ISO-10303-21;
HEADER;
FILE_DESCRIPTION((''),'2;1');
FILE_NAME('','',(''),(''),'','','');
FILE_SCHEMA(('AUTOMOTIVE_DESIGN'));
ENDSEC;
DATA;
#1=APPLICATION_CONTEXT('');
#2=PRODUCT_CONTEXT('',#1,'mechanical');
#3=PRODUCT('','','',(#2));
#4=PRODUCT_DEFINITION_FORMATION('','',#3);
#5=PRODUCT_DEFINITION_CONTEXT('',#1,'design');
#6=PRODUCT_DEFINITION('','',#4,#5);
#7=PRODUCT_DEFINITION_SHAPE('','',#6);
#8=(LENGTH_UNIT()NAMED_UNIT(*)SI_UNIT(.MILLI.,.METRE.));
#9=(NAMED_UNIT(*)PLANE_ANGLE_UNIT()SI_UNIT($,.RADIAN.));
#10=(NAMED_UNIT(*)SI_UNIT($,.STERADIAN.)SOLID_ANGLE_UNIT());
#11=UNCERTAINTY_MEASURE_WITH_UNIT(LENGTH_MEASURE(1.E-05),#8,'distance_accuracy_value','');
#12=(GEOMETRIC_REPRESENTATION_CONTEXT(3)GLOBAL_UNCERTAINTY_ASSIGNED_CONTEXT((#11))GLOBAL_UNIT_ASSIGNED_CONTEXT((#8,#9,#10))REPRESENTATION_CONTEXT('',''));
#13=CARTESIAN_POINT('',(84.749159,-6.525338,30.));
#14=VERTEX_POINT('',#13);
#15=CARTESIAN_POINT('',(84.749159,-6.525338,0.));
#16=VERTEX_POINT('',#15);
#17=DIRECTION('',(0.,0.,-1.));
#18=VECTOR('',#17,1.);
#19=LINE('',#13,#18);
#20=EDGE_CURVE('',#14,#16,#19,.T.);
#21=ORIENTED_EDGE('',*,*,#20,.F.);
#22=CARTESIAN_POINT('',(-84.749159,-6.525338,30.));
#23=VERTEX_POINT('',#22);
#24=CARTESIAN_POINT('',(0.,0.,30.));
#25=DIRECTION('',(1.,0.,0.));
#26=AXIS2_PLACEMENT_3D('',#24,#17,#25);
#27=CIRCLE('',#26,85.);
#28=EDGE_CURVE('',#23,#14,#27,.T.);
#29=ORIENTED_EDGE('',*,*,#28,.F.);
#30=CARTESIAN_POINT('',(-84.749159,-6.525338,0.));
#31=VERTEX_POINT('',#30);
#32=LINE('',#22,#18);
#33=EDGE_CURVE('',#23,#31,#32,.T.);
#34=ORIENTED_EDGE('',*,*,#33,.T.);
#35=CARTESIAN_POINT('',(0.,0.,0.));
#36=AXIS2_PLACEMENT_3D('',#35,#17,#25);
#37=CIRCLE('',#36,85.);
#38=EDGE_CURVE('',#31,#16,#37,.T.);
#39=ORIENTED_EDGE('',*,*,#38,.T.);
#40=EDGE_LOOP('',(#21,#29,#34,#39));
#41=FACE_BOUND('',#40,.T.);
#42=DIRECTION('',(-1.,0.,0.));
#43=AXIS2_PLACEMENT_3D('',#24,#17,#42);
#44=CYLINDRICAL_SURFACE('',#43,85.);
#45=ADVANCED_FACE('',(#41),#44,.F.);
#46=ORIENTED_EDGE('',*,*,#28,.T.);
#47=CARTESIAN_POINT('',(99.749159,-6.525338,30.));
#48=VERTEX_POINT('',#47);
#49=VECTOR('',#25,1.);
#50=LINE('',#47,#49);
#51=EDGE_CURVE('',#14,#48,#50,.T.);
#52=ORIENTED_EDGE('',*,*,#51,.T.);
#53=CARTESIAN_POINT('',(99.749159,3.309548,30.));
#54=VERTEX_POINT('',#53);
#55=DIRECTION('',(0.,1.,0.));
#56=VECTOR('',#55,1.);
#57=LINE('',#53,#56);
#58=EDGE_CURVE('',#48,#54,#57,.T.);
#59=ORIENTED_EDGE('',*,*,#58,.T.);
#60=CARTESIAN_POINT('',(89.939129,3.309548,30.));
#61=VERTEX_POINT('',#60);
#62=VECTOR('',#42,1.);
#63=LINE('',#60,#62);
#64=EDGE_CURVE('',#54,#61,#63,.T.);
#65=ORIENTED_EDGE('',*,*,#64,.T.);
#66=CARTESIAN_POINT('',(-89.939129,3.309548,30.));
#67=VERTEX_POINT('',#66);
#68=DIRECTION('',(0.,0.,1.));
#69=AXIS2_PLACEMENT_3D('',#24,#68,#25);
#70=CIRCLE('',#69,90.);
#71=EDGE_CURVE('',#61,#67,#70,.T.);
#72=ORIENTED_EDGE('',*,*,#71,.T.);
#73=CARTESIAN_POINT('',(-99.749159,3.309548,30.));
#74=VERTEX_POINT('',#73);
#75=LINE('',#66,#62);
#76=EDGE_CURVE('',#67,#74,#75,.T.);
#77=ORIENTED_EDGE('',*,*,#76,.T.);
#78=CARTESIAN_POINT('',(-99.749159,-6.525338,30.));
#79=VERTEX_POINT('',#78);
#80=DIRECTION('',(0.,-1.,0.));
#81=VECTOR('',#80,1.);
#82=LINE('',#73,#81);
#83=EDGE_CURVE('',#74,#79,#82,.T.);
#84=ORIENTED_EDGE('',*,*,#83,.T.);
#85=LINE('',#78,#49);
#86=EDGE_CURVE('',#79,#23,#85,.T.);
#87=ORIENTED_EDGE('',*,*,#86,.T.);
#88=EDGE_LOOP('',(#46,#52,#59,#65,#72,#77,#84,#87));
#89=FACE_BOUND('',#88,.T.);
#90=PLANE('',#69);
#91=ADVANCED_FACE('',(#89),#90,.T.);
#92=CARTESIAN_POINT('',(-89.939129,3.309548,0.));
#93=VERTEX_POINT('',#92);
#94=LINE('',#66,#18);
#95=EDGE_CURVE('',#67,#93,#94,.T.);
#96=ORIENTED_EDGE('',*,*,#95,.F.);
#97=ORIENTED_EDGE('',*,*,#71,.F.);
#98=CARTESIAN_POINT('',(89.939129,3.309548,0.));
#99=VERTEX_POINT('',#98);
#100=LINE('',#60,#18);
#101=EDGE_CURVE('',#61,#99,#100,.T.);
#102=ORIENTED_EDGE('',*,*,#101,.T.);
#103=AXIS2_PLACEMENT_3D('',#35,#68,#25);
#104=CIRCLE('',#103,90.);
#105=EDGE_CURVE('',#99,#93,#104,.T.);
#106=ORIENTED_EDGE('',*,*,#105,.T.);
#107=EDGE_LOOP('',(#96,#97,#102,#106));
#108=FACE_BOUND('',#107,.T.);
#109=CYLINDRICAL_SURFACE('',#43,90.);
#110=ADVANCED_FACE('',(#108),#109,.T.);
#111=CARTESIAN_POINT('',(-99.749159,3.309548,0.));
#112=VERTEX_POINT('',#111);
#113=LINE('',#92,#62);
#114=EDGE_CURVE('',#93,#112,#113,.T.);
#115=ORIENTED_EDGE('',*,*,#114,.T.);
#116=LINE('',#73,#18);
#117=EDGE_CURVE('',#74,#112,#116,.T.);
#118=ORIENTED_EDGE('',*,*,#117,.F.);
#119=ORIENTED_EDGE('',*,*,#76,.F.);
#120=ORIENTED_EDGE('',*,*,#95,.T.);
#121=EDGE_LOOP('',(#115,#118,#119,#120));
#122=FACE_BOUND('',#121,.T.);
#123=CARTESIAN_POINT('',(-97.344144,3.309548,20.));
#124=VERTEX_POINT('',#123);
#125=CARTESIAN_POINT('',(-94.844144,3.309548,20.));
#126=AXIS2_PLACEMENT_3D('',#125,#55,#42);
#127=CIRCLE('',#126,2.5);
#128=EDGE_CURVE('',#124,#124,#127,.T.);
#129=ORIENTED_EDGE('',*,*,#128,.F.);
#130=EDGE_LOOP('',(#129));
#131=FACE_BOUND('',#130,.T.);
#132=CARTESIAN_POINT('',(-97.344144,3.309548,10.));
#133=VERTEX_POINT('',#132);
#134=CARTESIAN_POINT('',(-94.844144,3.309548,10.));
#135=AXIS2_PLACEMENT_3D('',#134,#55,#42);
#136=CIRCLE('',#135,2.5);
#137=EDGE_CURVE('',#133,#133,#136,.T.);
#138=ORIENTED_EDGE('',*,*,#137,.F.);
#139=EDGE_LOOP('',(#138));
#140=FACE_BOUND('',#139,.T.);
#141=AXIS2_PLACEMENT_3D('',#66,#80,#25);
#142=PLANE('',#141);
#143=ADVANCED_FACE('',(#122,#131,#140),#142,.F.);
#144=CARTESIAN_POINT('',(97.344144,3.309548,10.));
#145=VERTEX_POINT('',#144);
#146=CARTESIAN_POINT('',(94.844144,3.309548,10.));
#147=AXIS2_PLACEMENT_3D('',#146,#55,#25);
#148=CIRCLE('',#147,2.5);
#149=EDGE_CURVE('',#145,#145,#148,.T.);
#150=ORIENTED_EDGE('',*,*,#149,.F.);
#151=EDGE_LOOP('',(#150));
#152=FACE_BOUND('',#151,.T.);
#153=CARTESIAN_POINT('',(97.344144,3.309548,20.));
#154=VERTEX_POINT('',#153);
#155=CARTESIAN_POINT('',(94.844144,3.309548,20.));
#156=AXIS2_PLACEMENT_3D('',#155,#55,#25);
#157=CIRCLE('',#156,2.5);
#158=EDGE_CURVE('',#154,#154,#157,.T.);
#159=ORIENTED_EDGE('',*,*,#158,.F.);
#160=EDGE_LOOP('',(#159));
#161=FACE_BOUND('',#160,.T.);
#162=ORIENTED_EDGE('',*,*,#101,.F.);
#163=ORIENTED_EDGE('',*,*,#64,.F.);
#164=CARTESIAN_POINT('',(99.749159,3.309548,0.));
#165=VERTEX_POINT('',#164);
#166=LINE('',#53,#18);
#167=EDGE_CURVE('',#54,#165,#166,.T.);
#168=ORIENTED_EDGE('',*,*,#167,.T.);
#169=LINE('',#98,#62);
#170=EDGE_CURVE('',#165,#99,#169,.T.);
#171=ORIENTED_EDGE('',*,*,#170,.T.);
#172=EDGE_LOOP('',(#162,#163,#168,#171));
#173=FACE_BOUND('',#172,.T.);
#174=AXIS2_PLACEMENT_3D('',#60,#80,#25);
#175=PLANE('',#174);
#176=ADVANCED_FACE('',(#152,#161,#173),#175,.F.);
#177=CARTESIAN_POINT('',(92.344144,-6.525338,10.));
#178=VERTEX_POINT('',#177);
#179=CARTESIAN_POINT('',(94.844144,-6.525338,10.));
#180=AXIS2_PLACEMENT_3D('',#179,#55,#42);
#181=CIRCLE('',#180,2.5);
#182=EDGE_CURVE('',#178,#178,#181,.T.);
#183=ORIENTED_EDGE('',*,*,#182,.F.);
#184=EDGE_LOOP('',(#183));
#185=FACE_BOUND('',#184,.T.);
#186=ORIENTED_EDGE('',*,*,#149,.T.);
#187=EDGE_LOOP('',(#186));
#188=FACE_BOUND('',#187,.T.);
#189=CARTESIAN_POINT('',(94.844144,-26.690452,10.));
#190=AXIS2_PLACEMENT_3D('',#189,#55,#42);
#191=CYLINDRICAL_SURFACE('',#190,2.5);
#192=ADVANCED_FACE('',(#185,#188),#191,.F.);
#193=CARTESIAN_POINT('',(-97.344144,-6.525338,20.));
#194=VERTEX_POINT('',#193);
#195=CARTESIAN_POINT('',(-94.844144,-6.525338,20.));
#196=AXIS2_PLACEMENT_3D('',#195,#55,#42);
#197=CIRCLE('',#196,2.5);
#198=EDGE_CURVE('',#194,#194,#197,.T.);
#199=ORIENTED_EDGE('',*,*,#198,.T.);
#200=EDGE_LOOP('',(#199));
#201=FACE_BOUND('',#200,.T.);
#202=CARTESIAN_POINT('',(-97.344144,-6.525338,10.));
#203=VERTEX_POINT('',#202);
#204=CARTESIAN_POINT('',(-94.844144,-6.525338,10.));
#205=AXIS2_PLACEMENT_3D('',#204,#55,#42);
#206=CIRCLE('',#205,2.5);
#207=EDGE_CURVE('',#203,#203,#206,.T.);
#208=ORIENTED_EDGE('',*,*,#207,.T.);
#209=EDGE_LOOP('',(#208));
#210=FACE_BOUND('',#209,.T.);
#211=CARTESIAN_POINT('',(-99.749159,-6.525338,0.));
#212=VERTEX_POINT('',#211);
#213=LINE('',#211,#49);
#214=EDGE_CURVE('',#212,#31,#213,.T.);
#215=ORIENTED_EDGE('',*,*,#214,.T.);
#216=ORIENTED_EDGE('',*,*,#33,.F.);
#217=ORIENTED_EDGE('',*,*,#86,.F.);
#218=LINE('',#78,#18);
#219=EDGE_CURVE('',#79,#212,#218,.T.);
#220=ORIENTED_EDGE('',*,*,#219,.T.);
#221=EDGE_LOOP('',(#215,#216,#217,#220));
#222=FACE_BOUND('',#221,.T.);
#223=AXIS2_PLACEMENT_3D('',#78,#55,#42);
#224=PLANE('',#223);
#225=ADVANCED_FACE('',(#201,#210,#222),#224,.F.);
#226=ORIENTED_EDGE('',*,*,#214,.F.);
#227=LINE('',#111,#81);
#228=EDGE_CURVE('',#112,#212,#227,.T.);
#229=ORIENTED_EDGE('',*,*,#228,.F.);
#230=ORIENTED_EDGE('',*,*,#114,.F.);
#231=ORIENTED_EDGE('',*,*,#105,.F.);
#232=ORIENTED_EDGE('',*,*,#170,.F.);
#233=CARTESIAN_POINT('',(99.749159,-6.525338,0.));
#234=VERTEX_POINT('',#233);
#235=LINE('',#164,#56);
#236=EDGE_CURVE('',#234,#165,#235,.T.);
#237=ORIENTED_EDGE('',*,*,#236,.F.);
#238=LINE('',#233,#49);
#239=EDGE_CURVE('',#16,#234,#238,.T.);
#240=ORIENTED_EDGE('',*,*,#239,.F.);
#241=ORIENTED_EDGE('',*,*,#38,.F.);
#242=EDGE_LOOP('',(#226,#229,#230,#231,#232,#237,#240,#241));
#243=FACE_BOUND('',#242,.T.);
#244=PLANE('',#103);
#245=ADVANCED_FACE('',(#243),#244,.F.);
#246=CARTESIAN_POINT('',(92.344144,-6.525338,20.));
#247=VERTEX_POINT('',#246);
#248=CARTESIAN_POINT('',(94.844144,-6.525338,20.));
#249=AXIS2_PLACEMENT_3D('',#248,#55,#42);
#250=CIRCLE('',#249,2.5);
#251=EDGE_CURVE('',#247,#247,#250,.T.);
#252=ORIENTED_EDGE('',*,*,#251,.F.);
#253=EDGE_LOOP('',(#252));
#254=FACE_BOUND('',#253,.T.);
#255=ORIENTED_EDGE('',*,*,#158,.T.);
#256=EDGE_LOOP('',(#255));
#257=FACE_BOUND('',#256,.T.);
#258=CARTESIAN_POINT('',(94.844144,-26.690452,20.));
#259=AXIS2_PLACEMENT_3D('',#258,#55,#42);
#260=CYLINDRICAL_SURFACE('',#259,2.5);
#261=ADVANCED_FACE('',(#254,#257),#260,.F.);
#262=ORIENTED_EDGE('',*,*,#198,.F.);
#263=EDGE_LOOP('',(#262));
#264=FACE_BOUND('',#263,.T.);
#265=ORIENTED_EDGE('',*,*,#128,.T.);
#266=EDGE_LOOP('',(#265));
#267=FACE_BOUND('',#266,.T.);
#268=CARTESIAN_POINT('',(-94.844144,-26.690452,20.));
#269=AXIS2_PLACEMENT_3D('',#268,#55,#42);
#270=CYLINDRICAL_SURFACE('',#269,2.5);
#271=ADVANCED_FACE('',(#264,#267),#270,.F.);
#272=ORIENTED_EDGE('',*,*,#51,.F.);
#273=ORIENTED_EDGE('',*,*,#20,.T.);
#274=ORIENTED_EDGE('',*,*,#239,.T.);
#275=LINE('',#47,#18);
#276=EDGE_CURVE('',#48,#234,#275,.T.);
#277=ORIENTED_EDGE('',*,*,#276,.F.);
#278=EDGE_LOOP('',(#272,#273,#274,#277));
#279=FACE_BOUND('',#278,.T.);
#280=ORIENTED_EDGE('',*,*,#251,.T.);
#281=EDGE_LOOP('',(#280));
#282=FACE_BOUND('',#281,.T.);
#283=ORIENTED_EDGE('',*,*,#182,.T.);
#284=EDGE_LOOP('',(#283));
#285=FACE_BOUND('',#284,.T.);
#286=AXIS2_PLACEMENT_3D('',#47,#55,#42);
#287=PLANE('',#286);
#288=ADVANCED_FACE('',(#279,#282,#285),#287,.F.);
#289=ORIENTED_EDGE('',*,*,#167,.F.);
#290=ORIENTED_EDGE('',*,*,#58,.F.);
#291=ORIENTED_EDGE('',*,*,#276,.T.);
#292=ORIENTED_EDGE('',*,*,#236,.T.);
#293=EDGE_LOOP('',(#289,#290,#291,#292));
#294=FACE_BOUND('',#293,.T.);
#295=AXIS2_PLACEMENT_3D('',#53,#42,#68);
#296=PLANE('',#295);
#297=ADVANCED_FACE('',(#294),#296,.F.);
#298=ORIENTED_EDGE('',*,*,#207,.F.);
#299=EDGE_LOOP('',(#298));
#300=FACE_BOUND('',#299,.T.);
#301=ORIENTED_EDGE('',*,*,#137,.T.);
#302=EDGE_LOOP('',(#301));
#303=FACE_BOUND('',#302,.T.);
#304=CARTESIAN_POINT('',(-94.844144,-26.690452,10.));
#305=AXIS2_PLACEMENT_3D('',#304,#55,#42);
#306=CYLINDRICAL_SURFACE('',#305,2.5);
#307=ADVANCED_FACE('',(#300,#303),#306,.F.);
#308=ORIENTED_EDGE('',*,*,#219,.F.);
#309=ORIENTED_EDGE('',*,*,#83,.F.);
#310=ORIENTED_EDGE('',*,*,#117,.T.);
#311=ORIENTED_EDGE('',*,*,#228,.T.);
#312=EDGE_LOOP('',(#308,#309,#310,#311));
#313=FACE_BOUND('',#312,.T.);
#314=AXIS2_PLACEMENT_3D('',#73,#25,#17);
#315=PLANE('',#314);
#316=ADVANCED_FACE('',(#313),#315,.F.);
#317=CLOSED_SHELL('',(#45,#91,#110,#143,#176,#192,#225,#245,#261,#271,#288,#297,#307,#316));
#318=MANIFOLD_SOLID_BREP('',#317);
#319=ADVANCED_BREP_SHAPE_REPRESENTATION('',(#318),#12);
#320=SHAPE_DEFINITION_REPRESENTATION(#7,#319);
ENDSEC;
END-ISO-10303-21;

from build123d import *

# Parameters (mm, degrees)
BOSS_EXTRUDE1_DEPTH = 30
SKETCH2_R           = 2.5
CUT_EXTRUDE1_DEPTH  = 30


with BuildPart() as part:
    # Sketch1 → Boss-Extrude1 (new body)
    with BuildSketch(Plane.XY):
        with BuildLine():
            Line((89.939128799, 3.309548431), (99.749159056, 3.309548431))
            Line((99.749159056, 3.309548431), (99.749159056, -6.52533825))
            Line((99.749159056, -6.52533825), (84.749159056, -6.52533825))
            ThreePointArc((84.749159056, -6.52533825), (0, 85), (-84.749159056, -6.52533825))
            Line((-84.749159056, -6.52533825), (-99.749159056, -6.52533825))
            Line((-99.749159056, -6.52533825), (-99.749159056, 3.309548431))
            Line((-99.749159056, 3.309548431), (-89.939128799, 3.309548431))
            ThreePointArc((-89.939128799, 3.309548431), (0, 90), (89.939128799, 3.309548431))
        make_face()
    extrude(amount=BOSS_EXTRUDE1_DEPTH)

    # Sketch2 → Cut-Extrude1 (cut)
    with BuildSketch(Plane(origin=(0, 3.309548431, 0), x_dir=(1, 0, 0), z_dir=(0, 1, 0))):
        with Locations(Location((-94.844143928, -10, 0), (0, 0, 180))):
            Circle(SKETCH2_R)
        with Locations(Location((-94.844143928, -20, 0), (0, 0, 180))):
            Circle(SKETCH2_R)
        with Locations(Location((94.844143928, -20, 0), (0, 0, 180))):
            Circle(SKETCH2_R)
        with Locations(Location((94.844143928, -10, 0), (0, 0, 180))):
            Circle(SKETCH2_R)
    extrude(amount=-CUT_EXTRUDE1_DEPTH, mode=Mode.SUBTRACT)


solid = part.part
